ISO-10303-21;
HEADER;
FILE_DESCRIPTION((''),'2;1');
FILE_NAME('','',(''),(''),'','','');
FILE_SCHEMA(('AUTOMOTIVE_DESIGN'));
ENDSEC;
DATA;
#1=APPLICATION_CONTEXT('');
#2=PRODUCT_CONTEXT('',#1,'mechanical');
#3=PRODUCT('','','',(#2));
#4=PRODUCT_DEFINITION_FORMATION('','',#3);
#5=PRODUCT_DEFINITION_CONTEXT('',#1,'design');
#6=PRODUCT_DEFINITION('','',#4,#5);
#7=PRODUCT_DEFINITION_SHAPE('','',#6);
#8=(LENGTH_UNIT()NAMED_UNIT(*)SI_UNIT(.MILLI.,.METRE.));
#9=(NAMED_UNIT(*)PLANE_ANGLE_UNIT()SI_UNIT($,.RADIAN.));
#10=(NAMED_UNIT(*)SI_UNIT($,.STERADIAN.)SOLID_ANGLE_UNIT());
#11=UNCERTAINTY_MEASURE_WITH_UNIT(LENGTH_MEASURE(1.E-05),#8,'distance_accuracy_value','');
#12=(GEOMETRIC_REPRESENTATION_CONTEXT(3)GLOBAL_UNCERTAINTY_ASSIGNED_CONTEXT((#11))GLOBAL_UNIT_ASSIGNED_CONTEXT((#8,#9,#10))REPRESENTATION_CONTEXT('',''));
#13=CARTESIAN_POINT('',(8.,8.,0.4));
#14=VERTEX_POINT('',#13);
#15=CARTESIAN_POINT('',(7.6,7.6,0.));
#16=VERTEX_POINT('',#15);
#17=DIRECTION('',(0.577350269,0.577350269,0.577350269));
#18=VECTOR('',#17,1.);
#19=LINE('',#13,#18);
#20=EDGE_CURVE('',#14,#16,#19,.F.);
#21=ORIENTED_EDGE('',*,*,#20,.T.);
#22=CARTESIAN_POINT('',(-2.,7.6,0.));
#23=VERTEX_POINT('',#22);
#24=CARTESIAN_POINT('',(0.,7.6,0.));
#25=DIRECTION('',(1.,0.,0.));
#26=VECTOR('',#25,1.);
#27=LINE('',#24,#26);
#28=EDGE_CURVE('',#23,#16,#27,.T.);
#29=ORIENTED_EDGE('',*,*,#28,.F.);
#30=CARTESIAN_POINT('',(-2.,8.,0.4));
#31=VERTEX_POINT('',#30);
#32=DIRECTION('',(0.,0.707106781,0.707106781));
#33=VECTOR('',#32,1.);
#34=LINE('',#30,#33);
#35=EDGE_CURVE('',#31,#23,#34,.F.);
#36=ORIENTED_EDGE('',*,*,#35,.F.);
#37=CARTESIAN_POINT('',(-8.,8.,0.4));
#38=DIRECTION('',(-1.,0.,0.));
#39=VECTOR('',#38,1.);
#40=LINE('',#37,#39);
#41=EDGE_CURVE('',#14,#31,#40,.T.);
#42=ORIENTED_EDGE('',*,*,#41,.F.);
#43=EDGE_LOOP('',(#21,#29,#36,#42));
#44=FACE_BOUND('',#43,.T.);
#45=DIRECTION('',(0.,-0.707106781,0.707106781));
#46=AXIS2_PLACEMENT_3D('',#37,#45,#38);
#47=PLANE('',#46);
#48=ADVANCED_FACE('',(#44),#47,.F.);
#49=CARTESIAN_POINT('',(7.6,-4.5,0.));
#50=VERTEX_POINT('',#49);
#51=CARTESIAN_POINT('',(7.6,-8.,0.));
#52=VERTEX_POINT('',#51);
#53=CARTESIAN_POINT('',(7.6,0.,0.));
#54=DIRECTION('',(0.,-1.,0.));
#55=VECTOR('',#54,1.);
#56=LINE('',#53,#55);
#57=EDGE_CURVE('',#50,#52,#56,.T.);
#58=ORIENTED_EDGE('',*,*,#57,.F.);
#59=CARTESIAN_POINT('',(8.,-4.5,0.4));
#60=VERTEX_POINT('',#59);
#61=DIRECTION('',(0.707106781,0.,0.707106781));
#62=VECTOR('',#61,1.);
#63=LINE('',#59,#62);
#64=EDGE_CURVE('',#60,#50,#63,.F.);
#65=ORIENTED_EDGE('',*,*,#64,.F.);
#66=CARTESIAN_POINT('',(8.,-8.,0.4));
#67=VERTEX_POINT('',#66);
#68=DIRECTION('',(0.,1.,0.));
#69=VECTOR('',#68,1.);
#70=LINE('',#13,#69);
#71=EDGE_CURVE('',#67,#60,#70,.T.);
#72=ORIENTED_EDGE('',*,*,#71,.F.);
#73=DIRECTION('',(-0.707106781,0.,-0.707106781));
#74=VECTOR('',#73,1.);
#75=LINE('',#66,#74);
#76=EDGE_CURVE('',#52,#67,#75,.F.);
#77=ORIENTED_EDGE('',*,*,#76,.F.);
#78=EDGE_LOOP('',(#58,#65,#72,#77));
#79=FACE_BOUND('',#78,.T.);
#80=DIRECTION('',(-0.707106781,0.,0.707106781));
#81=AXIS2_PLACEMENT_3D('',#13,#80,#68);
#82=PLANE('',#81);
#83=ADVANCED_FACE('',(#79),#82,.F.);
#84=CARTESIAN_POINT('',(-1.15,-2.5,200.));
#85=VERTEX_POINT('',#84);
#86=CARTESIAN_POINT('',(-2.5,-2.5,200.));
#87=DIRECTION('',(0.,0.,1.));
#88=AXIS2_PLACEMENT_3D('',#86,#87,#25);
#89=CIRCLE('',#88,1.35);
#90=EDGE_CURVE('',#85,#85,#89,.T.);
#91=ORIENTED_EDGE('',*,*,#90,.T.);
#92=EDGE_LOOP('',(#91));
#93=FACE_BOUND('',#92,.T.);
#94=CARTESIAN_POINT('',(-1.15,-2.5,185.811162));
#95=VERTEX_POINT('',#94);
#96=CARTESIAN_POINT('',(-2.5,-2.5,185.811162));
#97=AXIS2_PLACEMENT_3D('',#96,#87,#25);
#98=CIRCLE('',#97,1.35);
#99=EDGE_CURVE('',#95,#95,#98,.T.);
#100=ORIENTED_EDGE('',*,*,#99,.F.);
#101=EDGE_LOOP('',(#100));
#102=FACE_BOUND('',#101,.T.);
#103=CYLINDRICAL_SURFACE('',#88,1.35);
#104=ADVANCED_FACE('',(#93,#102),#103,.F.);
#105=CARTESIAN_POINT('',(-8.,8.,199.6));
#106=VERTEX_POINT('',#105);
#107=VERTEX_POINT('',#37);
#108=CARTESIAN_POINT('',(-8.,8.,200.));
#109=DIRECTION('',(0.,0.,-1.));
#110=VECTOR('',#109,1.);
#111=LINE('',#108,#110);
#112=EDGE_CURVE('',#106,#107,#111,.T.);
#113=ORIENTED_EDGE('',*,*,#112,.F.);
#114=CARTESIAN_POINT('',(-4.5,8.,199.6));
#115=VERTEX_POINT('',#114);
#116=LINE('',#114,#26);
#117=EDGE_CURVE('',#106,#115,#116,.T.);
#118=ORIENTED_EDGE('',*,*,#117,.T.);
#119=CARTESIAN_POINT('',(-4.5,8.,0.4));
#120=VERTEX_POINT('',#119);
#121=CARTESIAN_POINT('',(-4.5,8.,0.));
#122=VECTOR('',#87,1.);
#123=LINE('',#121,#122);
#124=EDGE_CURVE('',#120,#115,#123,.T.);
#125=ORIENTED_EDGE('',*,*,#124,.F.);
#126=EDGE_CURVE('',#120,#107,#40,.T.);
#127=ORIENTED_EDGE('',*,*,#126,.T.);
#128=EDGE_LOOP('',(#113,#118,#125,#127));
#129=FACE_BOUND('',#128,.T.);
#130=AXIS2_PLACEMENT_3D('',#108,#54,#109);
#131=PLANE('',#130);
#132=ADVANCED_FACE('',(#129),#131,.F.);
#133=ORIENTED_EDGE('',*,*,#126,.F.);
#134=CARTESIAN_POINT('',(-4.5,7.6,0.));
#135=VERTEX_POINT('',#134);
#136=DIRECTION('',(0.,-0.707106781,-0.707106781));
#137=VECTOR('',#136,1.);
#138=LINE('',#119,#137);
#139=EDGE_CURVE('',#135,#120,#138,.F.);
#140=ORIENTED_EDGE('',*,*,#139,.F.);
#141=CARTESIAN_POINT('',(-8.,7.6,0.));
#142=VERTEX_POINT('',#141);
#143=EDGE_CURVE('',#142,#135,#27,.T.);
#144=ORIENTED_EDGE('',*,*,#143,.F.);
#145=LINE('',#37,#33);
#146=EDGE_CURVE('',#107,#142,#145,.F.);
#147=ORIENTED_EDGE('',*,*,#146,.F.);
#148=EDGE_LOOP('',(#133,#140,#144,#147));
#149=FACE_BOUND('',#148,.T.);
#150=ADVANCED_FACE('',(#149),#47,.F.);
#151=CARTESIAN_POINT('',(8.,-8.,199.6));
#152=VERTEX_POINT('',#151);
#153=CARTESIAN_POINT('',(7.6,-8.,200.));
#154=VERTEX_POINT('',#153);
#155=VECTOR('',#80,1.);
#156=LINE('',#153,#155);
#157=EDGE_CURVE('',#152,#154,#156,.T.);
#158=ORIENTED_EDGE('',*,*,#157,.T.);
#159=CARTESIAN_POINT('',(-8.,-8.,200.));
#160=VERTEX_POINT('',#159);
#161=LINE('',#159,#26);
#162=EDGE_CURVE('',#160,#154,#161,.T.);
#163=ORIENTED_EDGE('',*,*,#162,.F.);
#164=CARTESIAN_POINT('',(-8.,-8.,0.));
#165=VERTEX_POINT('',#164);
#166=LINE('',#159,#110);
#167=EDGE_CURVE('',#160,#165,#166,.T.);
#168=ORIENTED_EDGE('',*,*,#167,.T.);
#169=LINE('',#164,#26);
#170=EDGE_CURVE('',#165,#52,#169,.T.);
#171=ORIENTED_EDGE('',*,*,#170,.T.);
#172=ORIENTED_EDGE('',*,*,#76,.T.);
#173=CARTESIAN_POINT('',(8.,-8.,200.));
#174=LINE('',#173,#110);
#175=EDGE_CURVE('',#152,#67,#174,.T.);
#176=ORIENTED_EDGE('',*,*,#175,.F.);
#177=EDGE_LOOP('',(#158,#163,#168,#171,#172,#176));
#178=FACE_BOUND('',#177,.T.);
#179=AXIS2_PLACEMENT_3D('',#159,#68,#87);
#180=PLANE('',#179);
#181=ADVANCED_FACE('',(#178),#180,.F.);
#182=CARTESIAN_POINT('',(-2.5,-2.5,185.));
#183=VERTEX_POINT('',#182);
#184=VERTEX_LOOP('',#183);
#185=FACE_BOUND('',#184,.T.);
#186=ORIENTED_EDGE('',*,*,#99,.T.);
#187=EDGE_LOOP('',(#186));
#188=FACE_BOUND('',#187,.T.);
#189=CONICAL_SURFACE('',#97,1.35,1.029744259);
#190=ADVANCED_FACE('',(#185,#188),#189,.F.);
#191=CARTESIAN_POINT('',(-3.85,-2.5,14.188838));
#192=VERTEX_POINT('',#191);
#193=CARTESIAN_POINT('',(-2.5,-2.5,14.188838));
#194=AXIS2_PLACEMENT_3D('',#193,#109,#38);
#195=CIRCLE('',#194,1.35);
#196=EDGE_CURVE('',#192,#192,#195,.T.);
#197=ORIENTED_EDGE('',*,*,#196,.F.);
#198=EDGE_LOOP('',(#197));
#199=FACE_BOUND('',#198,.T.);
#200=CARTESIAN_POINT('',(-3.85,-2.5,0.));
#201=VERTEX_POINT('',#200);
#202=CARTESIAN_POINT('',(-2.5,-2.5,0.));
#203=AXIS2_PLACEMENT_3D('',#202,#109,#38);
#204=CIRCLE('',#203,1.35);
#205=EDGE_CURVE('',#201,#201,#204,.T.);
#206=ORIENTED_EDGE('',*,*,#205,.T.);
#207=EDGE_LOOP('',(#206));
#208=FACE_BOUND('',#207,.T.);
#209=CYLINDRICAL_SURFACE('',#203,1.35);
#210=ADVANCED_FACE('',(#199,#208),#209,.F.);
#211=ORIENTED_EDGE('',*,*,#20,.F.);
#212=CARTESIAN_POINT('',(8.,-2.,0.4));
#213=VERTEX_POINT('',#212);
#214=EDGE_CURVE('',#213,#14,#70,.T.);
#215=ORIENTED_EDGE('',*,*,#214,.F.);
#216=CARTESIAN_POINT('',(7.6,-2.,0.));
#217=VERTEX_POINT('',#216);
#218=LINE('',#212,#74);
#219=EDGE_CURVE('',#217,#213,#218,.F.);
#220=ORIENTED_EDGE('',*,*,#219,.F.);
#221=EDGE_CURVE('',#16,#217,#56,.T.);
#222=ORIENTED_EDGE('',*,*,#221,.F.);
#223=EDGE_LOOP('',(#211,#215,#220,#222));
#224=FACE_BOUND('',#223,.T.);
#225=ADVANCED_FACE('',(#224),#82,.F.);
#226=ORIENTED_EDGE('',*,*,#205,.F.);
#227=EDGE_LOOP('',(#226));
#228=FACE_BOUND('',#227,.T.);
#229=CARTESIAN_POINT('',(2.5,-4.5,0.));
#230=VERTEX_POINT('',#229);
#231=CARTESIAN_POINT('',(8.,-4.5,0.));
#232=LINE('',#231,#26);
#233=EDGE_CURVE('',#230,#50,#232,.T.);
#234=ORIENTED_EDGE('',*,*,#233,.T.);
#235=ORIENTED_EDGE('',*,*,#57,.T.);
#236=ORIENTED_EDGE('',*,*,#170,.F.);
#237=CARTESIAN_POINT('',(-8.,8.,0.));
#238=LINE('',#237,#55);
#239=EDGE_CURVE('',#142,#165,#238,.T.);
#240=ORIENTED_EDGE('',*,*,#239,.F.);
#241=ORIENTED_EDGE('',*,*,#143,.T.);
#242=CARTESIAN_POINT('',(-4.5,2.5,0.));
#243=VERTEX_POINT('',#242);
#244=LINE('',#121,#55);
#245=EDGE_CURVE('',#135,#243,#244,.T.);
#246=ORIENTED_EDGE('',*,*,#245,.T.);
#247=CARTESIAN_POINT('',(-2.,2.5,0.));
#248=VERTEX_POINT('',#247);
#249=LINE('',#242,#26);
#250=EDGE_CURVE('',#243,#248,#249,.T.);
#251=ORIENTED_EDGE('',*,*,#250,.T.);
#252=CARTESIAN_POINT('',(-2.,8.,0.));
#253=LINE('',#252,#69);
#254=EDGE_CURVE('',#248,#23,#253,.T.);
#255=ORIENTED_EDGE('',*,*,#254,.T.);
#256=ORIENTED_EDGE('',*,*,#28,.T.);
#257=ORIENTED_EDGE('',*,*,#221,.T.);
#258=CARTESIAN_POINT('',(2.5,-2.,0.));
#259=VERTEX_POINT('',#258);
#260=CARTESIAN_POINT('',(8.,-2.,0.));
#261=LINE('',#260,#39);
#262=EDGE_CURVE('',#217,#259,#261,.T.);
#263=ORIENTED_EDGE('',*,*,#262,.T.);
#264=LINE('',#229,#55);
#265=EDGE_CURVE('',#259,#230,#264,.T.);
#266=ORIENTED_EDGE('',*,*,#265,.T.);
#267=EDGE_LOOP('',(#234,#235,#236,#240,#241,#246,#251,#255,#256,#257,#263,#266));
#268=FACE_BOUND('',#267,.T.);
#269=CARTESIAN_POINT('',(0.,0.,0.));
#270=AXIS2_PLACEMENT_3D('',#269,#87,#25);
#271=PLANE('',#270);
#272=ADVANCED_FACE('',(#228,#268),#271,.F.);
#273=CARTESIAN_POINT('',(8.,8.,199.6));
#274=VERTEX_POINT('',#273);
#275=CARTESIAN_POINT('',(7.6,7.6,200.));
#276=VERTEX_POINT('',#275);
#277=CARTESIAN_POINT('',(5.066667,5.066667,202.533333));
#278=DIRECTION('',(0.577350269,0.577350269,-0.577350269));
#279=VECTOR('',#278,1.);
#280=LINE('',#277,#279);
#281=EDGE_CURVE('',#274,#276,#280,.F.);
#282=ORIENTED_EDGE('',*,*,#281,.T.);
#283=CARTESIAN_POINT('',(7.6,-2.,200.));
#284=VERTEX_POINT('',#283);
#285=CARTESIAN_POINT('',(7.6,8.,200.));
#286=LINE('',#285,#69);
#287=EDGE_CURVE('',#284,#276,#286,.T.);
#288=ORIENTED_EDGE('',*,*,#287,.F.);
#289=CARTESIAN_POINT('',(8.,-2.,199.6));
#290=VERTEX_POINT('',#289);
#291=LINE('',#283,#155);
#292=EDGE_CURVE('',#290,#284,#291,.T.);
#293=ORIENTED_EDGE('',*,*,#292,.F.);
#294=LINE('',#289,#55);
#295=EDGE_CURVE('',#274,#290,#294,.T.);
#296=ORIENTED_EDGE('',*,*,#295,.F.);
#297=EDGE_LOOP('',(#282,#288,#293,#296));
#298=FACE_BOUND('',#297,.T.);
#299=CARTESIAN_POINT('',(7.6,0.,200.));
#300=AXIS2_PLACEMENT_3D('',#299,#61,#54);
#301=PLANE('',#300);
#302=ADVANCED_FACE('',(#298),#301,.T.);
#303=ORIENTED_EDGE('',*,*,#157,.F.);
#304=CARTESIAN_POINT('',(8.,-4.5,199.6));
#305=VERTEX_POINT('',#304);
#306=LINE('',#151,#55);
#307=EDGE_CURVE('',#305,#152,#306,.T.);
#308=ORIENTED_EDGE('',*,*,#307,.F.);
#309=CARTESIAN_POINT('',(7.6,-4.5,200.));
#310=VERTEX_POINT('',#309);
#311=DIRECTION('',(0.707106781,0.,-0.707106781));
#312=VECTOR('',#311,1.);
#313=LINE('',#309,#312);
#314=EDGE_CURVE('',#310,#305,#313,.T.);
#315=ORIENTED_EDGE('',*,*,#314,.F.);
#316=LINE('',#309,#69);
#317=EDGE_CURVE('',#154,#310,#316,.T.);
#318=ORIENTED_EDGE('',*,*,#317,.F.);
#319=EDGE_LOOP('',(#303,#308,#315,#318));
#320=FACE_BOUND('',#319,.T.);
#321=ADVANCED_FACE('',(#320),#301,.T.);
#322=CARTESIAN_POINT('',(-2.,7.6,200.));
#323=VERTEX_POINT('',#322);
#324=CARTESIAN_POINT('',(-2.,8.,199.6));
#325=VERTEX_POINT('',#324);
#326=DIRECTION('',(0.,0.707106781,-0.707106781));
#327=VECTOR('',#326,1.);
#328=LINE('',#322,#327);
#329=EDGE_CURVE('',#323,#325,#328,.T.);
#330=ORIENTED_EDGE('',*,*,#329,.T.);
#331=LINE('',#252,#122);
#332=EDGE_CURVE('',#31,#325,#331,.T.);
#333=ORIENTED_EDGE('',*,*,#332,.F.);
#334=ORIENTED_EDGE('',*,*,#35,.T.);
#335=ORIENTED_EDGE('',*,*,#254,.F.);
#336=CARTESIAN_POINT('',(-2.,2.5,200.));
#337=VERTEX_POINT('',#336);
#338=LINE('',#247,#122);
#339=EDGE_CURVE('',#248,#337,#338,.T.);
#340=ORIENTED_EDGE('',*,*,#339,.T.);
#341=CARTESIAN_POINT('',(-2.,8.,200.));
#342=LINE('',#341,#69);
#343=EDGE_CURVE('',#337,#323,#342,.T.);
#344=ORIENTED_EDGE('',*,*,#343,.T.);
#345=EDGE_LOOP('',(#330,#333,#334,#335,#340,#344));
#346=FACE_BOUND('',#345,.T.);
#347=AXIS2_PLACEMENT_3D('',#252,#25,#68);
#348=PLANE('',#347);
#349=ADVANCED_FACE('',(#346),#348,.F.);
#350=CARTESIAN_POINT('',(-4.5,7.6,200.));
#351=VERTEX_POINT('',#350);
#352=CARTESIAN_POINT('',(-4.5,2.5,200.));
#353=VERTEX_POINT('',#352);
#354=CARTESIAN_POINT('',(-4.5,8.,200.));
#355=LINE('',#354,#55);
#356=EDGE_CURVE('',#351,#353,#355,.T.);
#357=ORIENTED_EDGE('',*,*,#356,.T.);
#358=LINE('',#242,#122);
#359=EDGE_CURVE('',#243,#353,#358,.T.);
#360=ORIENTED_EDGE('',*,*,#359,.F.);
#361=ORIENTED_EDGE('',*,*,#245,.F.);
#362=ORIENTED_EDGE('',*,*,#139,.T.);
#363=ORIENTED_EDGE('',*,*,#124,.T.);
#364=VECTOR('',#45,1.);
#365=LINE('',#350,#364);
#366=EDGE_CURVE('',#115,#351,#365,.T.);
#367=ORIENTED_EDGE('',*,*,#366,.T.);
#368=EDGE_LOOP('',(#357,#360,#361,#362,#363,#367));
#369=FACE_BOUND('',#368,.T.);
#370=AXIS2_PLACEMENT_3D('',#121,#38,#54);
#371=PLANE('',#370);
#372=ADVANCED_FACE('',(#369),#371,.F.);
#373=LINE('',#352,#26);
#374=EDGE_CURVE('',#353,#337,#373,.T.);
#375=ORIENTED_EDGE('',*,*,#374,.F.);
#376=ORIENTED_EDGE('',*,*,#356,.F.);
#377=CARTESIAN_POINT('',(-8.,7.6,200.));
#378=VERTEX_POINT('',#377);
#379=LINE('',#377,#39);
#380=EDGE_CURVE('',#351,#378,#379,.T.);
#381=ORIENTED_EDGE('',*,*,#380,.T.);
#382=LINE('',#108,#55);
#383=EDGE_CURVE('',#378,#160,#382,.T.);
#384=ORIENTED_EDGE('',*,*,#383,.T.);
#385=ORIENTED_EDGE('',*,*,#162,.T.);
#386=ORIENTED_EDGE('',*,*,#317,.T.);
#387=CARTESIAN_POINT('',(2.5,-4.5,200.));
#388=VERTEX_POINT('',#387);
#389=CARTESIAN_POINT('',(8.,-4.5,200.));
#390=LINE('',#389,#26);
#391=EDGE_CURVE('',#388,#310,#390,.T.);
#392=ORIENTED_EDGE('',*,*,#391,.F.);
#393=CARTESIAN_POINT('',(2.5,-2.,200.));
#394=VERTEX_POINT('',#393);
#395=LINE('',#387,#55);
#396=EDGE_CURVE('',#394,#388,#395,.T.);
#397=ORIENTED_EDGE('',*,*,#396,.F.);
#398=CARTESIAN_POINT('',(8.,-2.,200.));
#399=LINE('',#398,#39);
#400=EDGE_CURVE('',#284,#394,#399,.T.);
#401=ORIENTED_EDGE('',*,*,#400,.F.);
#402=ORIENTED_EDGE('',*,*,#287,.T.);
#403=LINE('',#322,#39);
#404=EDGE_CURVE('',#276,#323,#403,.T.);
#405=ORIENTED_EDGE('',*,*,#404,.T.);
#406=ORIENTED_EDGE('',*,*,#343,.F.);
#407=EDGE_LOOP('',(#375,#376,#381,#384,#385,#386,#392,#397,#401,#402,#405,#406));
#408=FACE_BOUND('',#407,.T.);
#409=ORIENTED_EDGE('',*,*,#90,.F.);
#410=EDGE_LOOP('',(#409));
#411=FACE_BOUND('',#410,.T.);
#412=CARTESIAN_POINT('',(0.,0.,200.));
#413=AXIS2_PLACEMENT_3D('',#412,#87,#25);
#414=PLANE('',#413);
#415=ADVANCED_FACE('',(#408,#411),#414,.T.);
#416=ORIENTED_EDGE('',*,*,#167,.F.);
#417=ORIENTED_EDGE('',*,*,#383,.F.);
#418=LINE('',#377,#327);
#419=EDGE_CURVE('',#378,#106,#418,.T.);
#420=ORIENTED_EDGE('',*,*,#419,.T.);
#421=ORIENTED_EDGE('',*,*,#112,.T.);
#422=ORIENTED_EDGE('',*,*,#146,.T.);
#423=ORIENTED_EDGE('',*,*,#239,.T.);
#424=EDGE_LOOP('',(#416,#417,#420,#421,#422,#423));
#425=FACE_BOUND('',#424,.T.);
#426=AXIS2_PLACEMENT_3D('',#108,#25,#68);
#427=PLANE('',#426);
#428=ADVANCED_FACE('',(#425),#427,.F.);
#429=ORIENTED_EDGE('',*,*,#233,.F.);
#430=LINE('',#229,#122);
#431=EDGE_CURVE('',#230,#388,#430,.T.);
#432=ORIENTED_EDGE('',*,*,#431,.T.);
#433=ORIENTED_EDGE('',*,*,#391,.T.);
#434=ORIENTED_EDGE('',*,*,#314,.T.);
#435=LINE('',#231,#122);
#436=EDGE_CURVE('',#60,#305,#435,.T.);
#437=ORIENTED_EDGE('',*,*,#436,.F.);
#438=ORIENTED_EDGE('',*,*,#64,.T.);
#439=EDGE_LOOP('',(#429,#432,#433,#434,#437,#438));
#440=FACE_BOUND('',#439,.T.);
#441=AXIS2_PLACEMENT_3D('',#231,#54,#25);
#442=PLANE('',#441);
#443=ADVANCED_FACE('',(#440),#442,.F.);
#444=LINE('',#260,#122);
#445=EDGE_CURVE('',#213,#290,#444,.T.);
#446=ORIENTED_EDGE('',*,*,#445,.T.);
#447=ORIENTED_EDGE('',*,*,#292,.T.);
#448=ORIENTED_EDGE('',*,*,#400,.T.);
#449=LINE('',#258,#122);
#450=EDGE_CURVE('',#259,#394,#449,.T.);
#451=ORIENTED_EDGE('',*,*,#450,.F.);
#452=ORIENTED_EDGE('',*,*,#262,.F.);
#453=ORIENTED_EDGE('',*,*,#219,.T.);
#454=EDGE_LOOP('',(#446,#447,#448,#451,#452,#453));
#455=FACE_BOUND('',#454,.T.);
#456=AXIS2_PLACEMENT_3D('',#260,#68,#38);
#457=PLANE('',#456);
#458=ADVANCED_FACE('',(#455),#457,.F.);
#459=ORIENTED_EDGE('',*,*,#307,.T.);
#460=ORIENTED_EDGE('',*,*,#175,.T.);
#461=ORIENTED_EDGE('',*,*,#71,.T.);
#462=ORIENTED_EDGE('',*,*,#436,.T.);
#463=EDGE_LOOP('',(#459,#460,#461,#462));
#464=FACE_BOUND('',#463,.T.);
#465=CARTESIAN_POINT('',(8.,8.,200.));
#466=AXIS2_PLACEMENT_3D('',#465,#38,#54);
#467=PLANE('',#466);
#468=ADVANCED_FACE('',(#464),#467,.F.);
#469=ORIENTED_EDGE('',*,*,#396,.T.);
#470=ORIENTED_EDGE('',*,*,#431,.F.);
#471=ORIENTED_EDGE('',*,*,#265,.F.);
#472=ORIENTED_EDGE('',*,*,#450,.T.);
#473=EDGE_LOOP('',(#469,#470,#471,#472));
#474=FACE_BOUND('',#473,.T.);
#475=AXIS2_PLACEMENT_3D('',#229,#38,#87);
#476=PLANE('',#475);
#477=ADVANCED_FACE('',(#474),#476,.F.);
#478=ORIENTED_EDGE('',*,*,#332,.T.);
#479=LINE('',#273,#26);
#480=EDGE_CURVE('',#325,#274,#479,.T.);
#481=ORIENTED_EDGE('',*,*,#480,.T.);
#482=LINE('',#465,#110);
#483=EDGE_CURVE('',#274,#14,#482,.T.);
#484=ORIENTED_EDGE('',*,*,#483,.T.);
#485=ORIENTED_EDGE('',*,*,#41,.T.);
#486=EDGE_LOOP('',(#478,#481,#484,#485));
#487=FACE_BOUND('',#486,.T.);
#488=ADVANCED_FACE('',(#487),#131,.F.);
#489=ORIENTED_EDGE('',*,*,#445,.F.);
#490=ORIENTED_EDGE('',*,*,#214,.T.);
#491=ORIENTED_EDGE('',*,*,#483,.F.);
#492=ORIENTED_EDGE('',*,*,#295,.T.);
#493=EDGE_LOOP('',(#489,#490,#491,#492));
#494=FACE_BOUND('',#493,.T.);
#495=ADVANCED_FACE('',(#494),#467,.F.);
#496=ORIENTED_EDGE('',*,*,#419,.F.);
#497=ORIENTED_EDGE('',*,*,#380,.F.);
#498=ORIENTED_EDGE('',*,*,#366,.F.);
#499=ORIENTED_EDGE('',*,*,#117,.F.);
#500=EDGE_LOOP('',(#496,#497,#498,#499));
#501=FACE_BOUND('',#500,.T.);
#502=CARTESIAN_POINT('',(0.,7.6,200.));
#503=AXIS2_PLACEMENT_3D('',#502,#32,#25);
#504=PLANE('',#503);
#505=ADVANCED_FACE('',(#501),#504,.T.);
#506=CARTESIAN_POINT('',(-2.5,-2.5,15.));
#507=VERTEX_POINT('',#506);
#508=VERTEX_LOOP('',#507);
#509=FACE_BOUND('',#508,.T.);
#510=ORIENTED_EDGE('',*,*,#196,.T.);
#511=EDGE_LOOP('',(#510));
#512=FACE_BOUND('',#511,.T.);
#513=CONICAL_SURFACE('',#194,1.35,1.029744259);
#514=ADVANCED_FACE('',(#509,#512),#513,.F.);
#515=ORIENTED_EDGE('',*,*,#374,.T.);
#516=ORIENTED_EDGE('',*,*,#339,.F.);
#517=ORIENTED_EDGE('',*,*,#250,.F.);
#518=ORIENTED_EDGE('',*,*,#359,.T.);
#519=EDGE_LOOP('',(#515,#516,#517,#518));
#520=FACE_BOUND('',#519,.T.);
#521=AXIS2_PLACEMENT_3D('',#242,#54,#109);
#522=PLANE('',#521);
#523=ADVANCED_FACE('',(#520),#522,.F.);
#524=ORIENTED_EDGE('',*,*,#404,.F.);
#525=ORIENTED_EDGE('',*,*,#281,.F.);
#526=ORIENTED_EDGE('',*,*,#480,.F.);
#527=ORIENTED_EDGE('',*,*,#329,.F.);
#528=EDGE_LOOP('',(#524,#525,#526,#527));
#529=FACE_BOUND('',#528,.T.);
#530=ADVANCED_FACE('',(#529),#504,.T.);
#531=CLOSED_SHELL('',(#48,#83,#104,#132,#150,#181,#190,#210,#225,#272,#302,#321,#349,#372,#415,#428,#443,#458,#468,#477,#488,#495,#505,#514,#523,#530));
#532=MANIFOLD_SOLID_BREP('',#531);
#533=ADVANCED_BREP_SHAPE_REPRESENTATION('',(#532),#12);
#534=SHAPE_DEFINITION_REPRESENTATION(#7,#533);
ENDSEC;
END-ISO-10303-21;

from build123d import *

# Parameters (mm, degrees)
ESQUISSE1_W                      = 16
ESQUISSE1_H                      = 16
BOSS_EXTRU_1_DEPTH               = 200
ESQUISSE2_W                      = 2.5
ESQUISSE2_H                      = 5.5
ESQUISSE2_W_2                    = 5.5
ESQUISSE2_H_2                    = 2.5
ENL_V_MAT_EXTRU_1_DEPTH          = 201.319744409
CHANFREIN1_SIZE                  = 0.4
D_GAGEMENT_M2_51_D               = 2.7
D_GAGEMENT_M2_51_DEPTH           = 14.188838164
D_GAGEMENT_M2_51_TIP             = 0.811161836
D_GAGEMENT_M2_51_ON_FACE_2_D     = 2.7
D_GAGEMENT_M2_51_ON_FACE_2_DEPTH = 14.188838164
D_GAGEMENT_M2_51_ON_FACE_2_TIP   = 0.811161836


with BuildPart() as part:
    # Esquisse1 → Boss.-Extru.1 (new body)
    with BuildSketch(Plane.XY):
        Rectangle(ESQUISSE1_W, ESQUISSE1_H)
    extrude(amount=BOSS_EXTRU_1_DEPTH)

    # Esquisse2 → Enlèv. mat.-Extru.1 (cut, through all)
    with BuildSketch(Plane.XY.offset(200)):
        with Locations((-3.25, 5.25)):
            Rectangle(ESQUISSE2_W, ESQUISSE2_H)
        with Locations((5.25, -3.25)):
            Rectangle(ESQUISSE2_W_2, ESQUISSE2_H_2)
    extrude(amount=-ENL_V_MAT_EXTRU_1_DEPTH, mode=Mode.SUBTRACT)

    # Chanfrein1
    chanfrein1_edges = [part.edges().sort_by_distance(p)[0] for p in [
        (8, 3, 0),
        (-6.25, 8, 0),
        (8, 3, 200),
        (-6.25, 8, 200),
        (8, -6.25, 200),
        (3, 8, 0),
        (8, -6.25, 0),
        (3, 8, 200),
    ]]
    chamfer(chanfrein1_edges, length=CHANFREIN1_SIZE)

    # Dégagement M2.51
    with Locations(Plane(origin=(-2.5, -2.5, 200), x_dir=(1, 0, 0), z_dir=(0, 0, 1))):
        with Locations((0, 0)):
            Hole(D_GAGEMENT_M2_51_D / 2, depth=D_GAGEMENT_M2_51_DEPTH)
            with Locations((0, 0, -(D_GAGEMENT_M2_51_DEPTH + D_GAGEMENT_M2_51_TIP / 2))):  # 118° drill point
                Cone(0, D_GAGEMENT_M2_51_D / 2, D_GAGEMENT_M2_51_TIP, mode=Mode.SUBTRACT)

    # Dégagement M2.51 on face 2
    with Locations(Plane(origin=(-2.5, -2.5, 0), x_dir=(-1, 0, 0), z_dir=(0, 0, -1))):
        with Locations((0, 0)):
            Hole(D_GAGEMENT_M2_51_ON_FACE_2_D / 2, depth=D_GAGEMENT_M2_51_ON_FACE_2_DEPTH)
            with Locations((0, 0, -(D_GAGEMENT_M2_51_ON_FACE_2_DEPTH + D_GAGEMENT_M2_51_ON_FACE_2_TIP / 2))):  # 118° drill point
                Cone(0, D_GAGEMENT_M2_51_ON_FACE_2_D / 2, D_GAGEMENT_M2_51_ON_FACE_2_TIP, mode=Mode.SUBTRACT)


solid = part.part
